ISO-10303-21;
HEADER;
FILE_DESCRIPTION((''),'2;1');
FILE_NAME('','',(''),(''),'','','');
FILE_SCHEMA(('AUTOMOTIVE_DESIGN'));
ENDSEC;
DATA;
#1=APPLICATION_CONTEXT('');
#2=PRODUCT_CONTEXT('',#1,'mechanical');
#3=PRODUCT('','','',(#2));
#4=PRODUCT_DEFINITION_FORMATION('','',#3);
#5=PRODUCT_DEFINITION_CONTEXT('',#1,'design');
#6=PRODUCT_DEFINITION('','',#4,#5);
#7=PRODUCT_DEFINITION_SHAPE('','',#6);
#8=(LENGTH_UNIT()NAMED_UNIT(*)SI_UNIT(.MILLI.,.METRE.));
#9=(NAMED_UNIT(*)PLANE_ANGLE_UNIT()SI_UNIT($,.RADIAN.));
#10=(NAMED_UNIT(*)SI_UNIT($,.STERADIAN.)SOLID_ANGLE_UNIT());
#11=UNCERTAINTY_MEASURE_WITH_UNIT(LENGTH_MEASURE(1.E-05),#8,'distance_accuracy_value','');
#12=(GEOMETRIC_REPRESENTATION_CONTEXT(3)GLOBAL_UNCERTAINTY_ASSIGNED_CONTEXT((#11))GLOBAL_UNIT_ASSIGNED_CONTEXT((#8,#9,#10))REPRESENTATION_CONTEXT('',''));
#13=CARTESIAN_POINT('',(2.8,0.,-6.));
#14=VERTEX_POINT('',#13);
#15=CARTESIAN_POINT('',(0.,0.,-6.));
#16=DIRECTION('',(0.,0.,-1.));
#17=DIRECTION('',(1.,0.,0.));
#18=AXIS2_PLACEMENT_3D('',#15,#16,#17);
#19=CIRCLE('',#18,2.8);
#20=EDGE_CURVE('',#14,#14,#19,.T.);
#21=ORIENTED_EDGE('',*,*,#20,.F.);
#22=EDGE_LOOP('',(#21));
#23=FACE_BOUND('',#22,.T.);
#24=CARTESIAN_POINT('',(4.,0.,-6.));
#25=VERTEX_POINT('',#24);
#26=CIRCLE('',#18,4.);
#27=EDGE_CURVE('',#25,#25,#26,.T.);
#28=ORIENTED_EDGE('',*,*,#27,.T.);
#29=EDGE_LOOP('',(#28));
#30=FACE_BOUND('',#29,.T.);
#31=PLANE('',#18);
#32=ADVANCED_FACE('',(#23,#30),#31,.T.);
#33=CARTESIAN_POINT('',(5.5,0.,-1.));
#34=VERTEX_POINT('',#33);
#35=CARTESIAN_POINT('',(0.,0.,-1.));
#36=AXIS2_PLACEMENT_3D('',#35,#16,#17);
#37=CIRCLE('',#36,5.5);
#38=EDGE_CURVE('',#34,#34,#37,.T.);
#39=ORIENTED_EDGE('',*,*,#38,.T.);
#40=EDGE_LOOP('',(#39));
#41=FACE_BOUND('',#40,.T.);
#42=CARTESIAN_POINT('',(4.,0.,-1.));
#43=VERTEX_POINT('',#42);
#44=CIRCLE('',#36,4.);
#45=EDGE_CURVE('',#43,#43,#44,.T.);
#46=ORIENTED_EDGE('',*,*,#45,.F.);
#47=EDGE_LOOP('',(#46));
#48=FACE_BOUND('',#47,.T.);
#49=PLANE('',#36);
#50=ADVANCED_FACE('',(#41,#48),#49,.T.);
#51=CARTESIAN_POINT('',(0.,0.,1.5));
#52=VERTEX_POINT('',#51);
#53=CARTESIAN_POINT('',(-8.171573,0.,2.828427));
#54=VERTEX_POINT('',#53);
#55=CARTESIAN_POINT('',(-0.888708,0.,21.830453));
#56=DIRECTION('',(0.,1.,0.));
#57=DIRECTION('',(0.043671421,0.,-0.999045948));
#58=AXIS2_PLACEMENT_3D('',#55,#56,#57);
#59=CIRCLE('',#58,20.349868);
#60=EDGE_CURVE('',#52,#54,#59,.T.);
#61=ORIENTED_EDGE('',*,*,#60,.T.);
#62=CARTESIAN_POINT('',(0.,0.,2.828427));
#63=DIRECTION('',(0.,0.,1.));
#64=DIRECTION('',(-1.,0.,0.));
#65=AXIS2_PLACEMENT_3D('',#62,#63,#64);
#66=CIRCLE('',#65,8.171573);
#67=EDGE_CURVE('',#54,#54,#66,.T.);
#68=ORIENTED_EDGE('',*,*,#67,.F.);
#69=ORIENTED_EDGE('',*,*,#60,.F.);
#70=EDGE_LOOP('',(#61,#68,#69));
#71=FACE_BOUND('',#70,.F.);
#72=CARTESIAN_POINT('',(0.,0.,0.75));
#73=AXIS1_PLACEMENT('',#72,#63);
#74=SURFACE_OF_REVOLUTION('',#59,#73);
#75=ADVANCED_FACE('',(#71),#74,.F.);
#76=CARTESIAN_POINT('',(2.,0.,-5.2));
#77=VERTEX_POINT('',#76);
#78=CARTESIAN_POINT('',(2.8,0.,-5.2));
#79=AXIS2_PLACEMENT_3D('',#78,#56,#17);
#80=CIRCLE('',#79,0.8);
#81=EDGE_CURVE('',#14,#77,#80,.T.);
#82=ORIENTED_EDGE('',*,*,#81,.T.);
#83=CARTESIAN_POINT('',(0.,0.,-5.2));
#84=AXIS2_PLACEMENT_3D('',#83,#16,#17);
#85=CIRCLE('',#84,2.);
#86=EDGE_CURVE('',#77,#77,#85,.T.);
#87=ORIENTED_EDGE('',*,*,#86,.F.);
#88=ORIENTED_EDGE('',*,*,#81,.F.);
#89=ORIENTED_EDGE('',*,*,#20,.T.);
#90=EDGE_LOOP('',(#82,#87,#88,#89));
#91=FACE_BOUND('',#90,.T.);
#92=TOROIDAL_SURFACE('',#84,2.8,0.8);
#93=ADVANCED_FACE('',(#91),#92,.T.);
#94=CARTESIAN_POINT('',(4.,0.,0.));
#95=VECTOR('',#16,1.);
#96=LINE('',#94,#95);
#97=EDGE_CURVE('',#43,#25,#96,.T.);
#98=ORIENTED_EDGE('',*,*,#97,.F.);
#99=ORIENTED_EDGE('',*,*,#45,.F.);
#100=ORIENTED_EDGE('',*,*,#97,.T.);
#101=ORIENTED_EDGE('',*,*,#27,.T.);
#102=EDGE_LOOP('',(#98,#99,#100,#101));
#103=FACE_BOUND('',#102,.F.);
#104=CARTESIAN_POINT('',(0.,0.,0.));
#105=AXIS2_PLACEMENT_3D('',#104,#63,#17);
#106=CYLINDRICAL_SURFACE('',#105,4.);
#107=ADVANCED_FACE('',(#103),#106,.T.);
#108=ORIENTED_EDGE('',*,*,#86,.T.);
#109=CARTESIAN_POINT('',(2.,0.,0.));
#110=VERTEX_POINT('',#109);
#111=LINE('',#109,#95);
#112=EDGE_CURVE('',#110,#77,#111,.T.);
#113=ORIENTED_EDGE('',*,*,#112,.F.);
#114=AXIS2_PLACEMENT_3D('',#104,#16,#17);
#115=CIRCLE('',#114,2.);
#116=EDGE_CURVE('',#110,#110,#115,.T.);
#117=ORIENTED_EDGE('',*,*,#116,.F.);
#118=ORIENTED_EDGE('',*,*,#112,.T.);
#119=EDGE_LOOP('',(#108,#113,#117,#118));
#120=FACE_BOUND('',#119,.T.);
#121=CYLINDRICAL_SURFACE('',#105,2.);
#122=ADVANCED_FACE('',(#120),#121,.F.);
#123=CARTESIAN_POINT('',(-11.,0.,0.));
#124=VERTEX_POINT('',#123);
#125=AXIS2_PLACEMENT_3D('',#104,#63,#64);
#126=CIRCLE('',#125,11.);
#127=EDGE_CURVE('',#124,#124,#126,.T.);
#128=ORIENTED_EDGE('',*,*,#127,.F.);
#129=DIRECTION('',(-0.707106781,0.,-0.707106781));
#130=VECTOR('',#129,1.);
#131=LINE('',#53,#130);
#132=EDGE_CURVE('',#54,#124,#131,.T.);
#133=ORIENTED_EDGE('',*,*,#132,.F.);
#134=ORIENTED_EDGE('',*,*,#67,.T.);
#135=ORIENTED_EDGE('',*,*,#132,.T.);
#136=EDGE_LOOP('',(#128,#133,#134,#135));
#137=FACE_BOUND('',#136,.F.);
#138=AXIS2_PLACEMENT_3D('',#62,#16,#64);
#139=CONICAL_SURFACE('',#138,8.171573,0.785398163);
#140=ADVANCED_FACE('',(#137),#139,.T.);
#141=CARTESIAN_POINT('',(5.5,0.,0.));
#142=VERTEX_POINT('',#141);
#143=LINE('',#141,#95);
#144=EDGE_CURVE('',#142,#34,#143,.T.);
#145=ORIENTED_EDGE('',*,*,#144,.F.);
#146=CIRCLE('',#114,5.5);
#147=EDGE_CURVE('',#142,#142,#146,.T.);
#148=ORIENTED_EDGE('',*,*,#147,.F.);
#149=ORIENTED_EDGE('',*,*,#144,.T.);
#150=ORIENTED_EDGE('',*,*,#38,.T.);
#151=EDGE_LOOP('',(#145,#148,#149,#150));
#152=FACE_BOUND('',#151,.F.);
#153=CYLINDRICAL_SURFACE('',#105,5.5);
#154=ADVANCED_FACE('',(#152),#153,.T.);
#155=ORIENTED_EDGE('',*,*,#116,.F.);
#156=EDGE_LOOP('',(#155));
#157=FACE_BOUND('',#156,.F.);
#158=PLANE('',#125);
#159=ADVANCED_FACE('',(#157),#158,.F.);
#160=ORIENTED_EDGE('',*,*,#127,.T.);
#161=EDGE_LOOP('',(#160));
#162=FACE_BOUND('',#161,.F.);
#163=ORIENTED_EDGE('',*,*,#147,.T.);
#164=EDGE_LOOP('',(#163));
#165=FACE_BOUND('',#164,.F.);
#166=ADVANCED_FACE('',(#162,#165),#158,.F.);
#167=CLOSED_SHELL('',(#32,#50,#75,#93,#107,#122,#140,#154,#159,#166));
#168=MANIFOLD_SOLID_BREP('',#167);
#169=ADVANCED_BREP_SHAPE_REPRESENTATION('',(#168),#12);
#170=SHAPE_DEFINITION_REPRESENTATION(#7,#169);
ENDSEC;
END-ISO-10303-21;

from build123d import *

# Parameters (mm, degrees)
F2_R     = 5.5
F2_R_2   = 4
F3_DEPTH = 1
F2_R_3   = 2
F4_DEPTH = 6
F5_R     = 0.8


with BuildPart() as f1:
    # F0 (on Front) → F1 (revolve)
    with BuildSketch(Plane.XZ):
        with BuildLine():
            Line((-11, 0), (0, 0))
            Line((0, 0), (0, 1.5))
            ThreePointArc((0, 1.5), (-4.154055, 1.744273), (-8.171573, 2.828427))
            Line((-8.171573, 2.828427), (-11, 0))
        make_face()
    revolve(axis=Axis((0, 0, 0.75), (0, 0, 1)))

    # F2 (on face) → F3 (join)
    with BuildSketch(Plane(origin=(0, 0, 0), x_dir=(1, 0, 0), z_dir=(0, 0, -1))):
        Circle(F2_R)
        Circle(F2_R_2, mode=Mode.SUBTRACT)
    extrude(amount=F3_DEPTH)

    # F2 (on face) → F4 (join)
    with BuildSketch(Plane(origin=(0, 0, 0), x_dir=(1, 0, 0), z_dir=(0, 0, -1))):
        Circle(F2_R_2)
        Circle(F2_R_3, mode=Mode.SUBTRACT)
    extrude(amount=F4_DEPTH)

    # F5
    f5_edges = [f1.edges().sort_by_distance(p)[0] for p in [
        (-2, 0, -6),
    ]]
    fillet(f5_edges, radius=F5_R)


solid = f1.part
